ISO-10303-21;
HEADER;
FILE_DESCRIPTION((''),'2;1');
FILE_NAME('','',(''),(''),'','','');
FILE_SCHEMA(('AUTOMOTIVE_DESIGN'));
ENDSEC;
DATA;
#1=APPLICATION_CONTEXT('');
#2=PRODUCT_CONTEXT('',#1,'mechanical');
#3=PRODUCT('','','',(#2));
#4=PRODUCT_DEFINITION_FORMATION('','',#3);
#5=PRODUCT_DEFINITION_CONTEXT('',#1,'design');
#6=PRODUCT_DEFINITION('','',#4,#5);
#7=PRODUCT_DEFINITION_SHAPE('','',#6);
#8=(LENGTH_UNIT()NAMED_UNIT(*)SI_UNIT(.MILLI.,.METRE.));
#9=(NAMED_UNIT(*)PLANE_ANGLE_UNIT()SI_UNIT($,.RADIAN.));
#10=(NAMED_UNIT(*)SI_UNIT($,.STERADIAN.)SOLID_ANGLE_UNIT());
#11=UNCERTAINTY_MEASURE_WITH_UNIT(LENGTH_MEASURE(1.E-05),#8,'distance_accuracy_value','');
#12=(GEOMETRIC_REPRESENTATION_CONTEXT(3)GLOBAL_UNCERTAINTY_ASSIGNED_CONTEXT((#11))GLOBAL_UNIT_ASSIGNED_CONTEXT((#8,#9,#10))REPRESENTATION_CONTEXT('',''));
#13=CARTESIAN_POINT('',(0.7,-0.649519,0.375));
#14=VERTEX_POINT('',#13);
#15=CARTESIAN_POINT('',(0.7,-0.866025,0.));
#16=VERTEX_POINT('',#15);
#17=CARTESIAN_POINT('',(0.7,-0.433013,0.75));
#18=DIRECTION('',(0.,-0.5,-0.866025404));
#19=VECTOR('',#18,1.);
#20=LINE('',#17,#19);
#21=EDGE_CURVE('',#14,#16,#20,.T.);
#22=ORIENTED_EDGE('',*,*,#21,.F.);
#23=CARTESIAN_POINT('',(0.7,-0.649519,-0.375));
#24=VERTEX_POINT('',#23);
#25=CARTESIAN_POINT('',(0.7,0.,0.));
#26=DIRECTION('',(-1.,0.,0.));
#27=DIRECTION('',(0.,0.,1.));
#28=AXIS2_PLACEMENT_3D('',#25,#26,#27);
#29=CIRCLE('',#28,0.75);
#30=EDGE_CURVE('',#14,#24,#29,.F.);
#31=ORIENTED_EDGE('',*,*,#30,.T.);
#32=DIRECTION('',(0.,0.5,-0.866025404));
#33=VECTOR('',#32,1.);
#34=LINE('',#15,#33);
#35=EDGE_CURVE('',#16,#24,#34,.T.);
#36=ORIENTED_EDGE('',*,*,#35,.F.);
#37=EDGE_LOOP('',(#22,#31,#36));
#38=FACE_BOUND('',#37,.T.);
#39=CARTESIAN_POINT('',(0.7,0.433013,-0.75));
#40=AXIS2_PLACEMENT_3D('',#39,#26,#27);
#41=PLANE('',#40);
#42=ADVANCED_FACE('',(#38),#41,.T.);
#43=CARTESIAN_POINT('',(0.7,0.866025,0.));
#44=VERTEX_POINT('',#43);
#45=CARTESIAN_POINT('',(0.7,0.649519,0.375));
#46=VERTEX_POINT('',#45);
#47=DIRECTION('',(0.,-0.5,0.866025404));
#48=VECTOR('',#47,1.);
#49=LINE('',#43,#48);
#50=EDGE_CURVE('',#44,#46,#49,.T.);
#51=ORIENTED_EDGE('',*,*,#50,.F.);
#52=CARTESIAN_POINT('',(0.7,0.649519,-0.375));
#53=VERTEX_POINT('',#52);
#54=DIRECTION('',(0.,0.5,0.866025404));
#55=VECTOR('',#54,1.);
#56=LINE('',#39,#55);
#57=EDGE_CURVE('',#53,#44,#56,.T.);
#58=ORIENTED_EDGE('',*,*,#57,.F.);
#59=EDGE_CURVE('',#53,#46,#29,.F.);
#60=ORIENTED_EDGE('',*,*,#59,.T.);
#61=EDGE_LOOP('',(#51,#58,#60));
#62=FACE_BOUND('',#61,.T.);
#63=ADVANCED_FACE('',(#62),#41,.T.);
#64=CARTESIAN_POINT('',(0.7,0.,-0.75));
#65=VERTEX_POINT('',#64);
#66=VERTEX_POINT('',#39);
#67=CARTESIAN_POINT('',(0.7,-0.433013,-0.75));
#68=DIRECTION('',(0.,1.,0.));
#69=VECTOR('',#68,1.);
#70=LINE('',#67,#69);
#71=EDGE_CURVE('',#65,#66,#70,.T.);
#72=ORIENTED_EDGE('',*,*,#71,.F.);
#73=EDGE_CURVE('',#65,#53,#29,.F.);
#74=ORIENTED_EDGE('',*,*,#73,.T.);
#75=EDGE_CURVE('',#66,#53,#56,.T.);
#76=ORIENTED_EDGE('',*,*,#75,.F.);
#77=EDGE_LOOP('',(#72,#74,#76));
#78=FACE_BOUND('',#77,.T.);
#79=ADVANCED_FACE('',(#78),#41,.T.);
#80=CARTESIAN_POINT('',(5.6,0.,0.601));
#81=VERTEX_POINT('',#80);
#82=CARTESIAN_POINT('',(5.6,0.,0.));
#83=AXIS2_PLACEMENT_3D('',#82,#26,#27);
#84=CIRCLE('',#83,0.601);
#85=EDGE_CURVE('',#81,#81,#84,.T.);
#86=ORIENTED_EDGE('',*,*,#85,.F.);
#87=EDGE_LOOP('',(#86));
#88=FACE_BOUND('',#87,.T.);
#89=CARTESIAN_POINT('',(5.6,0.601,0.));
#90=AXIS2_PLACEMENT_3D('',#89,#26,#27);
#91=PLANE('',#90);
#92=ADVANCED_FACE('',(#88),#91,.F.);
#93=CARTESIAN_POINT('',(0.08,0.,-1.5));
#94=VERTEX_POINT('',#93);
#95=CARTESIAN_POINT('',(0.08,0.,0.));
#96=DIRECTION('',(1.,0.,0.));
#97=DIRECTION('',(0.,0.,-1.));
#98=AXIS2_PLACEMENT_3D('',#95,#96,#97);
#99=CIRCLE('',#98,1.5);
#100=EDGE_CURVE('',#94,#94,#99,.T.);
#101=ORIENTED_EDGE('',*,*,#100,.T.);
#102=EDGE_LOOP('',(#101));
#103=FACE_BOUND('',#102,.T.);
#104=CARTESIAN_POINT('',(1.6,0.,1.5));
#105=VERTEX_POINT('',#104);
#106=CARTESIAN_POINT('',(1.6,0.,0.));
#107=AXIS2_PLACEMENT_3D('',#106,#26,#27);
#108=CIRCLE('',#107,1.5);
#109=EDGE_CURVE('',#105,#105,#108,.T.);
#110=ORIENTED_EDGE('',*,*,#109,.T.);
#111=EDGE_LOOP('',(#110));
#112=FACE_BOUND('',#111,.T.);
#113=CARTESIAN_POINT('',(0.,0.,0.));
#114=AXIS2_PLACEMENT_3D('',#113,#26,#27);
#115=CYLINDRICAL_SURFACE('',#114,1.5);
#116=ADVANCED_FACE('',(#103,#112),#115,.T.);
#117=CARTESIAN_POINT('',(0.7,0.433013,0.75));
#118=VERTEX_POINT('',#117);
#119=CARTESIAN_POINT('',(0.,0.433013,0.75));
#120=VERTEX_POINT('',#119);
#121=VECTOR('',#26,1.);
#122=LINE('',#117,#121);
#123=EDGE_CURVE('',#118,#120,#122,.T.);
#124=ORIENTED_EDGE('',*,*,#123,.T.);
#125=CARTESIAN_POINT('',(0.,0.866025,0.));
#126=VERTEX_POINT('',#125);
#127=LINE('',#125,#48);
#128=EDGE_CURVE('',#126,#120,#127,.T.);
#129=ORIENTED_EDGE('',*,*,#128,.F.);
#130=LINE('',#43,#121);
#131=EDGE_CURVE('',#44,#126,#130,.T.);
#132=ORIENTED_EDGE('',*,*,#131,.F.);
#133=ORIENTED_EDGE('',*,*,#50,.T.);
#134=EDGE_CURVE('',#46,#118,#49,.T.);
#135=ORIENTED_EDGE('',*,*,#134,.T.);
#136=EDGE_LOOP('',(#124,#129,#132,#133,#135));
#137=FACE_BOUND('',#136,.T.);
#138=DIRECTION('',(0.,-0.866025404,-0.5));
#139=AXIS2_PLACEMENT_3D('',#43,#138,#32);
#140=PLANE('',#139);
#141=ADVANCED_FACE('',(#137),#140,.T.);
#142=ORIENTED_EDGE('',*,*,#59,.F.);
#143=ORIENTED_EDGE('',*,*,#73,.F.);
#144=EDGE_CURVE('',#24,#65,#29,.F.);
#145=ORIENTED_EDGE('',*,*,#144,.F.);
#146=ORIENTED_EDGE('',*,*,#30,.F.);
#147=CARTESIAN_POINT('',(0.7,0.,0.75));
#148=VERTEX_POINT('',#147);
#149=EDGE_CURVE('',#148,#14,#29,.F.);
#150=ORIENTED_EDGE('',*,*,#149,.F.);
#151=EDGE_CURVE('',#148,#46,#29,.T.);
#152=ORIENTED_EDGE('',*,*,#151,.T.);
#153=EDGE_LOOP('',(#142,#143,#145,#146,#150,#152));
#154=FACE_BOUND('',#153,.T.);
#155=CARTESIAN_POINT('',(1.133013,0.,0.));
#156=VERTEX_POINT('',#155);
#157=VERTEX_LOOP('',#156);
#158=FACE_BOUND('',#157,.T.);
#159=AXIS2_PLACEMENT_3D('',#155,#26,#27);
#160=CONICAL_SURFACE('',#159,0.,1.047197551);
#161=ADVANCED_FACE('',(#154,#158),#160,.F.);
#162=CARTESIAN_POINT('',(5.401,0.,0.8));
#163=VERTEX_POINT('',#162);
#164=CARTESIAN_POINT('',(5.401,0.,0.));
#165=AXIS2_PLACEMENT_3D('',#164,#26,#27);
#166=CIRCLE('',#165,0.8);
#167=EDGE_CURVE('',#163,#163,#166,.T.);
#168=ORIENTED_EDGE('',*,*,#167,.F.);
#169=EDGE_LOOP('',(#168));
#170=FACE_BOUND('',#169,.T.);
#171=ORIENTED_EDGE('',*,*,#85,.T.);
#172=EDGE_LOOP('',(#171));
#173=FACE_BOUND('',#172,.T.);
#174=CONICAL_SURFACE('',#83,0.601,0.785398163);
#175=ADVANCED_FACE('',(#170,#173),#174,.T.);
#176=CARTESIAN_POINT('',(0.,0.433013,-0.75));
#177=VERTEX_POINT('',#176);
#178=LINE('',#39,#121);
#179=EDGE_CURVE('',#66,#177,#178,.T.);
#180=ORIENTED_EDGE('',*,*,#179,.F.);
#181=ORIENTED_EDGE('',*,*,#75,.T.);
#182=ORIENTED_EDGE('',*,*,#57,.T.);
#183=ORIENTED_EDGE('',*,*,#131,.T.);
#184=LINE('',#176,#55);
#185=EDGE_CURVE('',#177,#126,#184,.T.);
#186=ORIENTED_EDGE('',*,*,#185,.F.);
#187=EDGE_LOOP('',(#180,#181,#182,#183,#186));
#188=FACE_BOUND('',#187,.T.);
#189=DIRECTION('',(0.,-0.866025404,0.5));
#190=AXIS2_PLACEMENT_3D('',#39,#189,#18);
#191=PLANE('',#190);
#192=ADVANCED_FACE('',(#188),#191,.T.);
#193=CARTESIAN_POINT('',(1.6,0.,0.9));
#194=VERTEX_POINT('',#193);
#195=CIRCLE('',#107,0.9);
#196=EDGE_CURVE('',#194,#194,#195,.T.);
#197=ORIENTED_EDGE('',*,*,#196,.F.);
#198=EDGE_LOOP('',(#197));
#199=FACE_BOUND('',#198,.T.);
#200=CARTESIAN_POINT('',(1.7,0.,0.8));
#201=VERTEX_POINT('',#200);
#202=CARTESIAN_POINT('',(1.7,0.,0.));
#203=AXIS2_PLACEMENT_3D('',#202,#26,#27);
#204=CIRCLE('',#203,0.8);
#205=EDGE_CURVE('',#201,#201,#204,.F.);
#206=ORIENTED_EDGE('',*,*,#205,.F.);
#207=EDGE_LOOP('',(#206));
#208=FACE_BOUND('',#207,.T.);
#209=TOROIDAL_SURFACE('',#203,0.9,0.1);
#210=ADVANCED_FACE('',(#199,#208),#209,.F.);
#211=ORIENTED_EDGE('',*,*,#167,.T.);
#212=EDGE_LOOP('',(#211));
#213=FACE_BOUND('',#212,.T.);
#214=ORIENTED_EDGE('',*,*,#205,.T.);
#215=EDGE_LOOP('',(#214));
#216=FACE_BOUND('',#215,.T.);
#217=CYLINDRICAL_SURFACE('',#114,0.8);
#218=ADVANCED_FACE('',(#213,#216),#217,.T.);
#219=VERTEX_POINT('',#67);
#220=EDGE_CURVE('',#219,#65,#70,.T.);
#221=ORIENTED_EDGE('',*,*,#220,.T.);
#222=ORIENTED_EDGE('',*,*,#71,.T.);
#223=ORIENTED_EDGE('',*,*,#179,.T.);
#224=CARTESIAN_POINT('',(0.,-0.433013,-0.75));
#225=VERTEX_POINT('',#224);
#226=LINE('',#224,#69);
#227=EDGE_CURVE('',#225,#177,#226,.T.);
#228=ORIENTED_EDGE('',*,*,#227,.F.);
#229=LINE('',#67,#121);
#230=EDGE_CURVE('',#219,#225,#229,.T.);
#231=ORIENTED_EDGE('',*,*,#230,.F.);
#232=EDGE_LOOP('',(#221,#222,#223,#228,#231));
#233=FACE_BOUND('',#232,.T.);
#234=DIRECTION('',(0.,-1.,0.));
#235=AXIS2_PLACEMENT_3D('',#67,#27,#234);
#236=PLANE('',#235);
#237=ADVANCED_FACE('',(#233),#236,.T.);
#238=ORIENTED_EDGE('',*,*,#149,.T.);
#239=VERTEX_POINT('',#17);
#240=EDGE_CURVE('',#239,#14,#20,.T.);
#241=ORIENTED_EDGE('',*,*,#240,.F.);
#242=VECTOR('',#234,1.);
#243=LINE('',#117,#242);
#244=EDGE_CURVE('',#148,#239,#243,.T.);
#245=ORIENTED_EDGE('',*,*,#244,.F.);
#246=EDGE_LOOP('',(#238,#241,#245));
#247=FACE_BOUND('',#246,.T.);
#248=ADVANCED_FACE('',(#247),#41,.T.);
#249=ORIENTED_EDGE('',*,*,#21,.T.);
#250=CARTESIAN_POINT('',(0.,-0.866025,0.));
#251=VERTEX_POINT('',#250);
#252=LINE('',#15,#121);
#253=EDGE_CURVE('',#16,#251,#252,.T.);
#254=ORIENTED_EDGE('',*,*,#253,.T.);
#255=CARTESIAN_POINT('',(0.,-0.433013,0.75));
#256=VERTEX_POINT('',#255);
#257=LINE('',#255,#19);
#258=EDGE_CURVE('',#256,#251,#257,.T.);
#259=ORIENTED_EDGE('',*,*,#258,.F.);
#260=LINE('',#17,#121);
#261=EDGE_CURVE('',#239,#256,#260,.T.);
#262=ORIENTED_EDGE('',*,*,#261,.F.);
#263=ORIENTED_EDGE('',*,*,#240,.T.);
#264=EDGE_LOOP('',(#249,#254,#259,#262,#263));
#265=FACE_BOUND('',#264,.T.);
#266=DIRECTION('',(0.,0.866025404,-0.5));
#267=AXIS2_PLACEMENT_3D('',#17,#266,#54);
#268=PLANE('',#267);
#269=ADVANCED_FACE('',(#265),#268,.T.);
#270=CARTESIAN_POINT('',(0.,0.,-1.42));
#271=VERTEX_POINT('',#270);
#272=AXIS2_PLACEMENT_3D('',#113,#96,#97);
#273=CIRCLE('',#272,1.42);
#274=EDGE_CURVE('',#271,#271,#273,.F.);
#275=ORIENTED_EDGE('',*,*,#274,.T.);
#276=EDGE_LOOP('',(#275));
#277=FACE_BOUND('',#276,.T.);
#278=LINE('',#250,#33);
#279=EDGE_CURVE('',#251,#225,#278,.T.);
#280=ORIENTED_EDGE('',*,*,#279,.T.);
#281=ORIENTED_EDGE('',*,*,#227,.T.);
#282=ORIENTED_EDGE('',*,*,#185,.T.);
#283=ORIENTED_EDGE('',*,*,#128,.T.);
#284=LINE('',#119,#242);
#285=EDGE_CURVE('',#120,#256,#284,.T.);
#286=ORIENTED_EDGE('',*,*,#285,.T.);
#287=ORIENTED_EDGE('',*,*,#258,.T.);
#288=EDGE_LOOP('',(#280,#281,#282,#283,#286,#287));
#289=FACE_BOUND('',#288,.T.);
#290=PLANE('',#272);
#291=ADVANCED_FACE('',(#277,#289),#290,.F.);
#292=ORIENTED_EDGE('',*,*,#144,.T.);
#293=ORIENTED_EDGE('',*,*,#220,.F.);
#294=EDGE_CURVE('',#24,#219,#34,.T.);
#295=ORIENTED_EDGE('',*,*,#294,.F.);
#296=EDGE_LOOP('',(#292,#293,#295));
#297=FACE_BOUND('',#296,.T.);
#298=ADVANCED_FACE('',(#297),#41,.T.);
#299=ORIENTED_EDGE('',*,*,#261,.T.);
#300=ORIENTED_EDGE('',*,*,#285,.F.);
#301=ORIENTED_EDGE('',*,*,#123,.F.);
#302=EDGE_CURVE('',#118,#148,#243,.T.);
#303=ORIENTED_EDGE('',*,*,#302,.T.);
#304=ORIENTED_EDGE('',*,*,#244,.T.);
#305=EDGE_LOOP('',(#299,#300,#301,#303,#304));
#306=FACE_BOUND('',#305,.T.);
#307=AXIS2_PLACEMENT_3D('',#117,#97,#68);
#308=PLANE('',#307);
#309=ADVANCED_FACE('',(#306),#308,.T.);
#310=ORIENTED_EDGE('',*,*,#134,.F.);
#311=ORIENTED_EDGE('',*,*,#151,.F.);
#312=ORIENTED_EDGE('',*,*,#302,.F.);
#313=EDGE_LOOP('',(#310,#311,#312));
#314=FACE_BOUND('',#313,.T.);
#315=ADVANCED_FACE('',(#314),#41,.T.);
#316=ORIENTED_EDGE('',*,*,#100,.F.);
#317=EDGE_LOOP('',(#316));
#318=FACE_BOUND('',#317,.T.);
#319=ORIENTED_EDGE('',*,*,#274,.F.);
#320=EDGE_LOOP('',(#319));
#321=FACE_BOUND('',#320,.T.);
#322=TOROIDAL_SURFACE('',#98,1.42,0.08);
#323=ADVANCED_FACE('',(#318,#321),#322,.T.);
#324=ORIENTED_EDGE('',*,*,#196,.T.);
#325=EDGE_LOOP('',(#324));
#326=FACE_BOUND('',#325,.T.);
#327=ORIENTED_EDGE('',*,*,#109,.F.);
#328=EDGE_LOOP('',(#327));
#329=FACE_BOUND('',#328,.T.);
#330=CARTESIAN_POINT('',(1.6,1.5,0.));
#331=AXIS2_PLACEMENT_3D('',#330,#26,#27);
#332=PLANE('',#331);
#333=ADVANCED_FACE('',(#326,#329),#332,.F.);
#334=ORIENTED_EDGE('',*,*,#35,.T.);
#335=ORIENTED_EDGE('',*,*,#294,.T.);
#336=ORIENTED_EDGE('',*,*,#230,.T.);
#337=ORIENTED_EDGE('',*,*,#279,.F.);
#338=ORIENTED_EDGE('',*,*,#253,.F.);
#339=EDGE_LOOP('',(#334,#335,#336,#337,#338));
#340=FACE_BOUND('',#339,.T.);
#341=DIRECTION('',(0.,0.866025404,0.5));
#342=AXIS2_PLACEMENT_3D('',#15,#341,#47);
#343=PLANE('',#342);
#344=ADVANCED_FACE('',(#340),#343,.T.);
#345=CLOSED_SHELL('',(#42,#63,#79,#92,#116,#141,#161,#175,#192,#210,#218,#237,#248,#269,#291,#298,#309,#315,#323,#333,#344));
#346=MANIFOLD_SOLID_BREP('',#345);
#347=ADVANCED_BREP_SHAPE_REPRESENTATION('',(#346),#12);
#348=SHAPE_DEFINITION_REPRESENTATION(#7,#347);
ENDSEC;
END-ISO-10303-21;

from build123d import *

# Parameters (mm, degrees)
FILLET1_R   = 0.1
FILLET2_R   = 0.08
HEX_2_DEPTH = 0.7


with BuildPart() as part:
    # BodySke → BaseBody (revolve)
    with BuildSketch(Plane.XY, mode=Mode.PRIVATE) as basebody_sk:
        Polygon((0, 0), (0, 1.5), (1.6, 1.5), (1.6, 0.8), (5.401, 0.8), (5.6, 0.601), (5.6, 0), align=None)
    revolve(basebody_sk.sketch.rotate(Axis((0, 0, 0), (1, 0, 0)), 90), axis=Axis((0, 0, 0), (1, 0, 0)))

    # Fillet1
    fillet1_edges = [part.edges().sort_by_distance(p)[0] for p in [
        (1.6, 0, -0.8),
    ]]
    fillet(fillet1_edges, radius=FILLET1_R)

    # Fillet2
    fillet2_edges = [part.edges().sort_by_distance(p)[0] for p in [
        (0, 0, -1.5),
    ]]
    fillet(fillet2_edges, radius=FILLET2_R)

    # HexSke → Hex 2 (cut)
    with BuildSketch(Plane(origin=(0, 0, 0), x_dir=(0, 0, -1), z_dir=(1, 0, 0))):
        Polygon((0, 0.866025404), (-0.75, 0.433012702), (-0.75, -0.433012702), (0, -0.866025404), (0.75, -0.433012702), (0.75, 0.433012702), align=None)
    extrude(amount=HEX_2_DEPTH, mode=Mode.SUBTRACT)

    # Hex-PreBroachSke → Hex-PreBroach (revolve, cut)
    with BuildSketch(Plane.XY, mode=Mode.PRIVATE) as hex_prebroach_sk:
        Polygon((0, 0), (0, 0.75), (0.7, 0.75), (1.133012702, 0), align=None)
    revolve(hex_prebroach_sk.sketch.rotate(Axis((0, 0, 0), (1, 0, 0)), 270), axis=Axis((0, 0, 0), (1, 0, 0)), mode=Mode.SUBTRACT)


solid = part.part
